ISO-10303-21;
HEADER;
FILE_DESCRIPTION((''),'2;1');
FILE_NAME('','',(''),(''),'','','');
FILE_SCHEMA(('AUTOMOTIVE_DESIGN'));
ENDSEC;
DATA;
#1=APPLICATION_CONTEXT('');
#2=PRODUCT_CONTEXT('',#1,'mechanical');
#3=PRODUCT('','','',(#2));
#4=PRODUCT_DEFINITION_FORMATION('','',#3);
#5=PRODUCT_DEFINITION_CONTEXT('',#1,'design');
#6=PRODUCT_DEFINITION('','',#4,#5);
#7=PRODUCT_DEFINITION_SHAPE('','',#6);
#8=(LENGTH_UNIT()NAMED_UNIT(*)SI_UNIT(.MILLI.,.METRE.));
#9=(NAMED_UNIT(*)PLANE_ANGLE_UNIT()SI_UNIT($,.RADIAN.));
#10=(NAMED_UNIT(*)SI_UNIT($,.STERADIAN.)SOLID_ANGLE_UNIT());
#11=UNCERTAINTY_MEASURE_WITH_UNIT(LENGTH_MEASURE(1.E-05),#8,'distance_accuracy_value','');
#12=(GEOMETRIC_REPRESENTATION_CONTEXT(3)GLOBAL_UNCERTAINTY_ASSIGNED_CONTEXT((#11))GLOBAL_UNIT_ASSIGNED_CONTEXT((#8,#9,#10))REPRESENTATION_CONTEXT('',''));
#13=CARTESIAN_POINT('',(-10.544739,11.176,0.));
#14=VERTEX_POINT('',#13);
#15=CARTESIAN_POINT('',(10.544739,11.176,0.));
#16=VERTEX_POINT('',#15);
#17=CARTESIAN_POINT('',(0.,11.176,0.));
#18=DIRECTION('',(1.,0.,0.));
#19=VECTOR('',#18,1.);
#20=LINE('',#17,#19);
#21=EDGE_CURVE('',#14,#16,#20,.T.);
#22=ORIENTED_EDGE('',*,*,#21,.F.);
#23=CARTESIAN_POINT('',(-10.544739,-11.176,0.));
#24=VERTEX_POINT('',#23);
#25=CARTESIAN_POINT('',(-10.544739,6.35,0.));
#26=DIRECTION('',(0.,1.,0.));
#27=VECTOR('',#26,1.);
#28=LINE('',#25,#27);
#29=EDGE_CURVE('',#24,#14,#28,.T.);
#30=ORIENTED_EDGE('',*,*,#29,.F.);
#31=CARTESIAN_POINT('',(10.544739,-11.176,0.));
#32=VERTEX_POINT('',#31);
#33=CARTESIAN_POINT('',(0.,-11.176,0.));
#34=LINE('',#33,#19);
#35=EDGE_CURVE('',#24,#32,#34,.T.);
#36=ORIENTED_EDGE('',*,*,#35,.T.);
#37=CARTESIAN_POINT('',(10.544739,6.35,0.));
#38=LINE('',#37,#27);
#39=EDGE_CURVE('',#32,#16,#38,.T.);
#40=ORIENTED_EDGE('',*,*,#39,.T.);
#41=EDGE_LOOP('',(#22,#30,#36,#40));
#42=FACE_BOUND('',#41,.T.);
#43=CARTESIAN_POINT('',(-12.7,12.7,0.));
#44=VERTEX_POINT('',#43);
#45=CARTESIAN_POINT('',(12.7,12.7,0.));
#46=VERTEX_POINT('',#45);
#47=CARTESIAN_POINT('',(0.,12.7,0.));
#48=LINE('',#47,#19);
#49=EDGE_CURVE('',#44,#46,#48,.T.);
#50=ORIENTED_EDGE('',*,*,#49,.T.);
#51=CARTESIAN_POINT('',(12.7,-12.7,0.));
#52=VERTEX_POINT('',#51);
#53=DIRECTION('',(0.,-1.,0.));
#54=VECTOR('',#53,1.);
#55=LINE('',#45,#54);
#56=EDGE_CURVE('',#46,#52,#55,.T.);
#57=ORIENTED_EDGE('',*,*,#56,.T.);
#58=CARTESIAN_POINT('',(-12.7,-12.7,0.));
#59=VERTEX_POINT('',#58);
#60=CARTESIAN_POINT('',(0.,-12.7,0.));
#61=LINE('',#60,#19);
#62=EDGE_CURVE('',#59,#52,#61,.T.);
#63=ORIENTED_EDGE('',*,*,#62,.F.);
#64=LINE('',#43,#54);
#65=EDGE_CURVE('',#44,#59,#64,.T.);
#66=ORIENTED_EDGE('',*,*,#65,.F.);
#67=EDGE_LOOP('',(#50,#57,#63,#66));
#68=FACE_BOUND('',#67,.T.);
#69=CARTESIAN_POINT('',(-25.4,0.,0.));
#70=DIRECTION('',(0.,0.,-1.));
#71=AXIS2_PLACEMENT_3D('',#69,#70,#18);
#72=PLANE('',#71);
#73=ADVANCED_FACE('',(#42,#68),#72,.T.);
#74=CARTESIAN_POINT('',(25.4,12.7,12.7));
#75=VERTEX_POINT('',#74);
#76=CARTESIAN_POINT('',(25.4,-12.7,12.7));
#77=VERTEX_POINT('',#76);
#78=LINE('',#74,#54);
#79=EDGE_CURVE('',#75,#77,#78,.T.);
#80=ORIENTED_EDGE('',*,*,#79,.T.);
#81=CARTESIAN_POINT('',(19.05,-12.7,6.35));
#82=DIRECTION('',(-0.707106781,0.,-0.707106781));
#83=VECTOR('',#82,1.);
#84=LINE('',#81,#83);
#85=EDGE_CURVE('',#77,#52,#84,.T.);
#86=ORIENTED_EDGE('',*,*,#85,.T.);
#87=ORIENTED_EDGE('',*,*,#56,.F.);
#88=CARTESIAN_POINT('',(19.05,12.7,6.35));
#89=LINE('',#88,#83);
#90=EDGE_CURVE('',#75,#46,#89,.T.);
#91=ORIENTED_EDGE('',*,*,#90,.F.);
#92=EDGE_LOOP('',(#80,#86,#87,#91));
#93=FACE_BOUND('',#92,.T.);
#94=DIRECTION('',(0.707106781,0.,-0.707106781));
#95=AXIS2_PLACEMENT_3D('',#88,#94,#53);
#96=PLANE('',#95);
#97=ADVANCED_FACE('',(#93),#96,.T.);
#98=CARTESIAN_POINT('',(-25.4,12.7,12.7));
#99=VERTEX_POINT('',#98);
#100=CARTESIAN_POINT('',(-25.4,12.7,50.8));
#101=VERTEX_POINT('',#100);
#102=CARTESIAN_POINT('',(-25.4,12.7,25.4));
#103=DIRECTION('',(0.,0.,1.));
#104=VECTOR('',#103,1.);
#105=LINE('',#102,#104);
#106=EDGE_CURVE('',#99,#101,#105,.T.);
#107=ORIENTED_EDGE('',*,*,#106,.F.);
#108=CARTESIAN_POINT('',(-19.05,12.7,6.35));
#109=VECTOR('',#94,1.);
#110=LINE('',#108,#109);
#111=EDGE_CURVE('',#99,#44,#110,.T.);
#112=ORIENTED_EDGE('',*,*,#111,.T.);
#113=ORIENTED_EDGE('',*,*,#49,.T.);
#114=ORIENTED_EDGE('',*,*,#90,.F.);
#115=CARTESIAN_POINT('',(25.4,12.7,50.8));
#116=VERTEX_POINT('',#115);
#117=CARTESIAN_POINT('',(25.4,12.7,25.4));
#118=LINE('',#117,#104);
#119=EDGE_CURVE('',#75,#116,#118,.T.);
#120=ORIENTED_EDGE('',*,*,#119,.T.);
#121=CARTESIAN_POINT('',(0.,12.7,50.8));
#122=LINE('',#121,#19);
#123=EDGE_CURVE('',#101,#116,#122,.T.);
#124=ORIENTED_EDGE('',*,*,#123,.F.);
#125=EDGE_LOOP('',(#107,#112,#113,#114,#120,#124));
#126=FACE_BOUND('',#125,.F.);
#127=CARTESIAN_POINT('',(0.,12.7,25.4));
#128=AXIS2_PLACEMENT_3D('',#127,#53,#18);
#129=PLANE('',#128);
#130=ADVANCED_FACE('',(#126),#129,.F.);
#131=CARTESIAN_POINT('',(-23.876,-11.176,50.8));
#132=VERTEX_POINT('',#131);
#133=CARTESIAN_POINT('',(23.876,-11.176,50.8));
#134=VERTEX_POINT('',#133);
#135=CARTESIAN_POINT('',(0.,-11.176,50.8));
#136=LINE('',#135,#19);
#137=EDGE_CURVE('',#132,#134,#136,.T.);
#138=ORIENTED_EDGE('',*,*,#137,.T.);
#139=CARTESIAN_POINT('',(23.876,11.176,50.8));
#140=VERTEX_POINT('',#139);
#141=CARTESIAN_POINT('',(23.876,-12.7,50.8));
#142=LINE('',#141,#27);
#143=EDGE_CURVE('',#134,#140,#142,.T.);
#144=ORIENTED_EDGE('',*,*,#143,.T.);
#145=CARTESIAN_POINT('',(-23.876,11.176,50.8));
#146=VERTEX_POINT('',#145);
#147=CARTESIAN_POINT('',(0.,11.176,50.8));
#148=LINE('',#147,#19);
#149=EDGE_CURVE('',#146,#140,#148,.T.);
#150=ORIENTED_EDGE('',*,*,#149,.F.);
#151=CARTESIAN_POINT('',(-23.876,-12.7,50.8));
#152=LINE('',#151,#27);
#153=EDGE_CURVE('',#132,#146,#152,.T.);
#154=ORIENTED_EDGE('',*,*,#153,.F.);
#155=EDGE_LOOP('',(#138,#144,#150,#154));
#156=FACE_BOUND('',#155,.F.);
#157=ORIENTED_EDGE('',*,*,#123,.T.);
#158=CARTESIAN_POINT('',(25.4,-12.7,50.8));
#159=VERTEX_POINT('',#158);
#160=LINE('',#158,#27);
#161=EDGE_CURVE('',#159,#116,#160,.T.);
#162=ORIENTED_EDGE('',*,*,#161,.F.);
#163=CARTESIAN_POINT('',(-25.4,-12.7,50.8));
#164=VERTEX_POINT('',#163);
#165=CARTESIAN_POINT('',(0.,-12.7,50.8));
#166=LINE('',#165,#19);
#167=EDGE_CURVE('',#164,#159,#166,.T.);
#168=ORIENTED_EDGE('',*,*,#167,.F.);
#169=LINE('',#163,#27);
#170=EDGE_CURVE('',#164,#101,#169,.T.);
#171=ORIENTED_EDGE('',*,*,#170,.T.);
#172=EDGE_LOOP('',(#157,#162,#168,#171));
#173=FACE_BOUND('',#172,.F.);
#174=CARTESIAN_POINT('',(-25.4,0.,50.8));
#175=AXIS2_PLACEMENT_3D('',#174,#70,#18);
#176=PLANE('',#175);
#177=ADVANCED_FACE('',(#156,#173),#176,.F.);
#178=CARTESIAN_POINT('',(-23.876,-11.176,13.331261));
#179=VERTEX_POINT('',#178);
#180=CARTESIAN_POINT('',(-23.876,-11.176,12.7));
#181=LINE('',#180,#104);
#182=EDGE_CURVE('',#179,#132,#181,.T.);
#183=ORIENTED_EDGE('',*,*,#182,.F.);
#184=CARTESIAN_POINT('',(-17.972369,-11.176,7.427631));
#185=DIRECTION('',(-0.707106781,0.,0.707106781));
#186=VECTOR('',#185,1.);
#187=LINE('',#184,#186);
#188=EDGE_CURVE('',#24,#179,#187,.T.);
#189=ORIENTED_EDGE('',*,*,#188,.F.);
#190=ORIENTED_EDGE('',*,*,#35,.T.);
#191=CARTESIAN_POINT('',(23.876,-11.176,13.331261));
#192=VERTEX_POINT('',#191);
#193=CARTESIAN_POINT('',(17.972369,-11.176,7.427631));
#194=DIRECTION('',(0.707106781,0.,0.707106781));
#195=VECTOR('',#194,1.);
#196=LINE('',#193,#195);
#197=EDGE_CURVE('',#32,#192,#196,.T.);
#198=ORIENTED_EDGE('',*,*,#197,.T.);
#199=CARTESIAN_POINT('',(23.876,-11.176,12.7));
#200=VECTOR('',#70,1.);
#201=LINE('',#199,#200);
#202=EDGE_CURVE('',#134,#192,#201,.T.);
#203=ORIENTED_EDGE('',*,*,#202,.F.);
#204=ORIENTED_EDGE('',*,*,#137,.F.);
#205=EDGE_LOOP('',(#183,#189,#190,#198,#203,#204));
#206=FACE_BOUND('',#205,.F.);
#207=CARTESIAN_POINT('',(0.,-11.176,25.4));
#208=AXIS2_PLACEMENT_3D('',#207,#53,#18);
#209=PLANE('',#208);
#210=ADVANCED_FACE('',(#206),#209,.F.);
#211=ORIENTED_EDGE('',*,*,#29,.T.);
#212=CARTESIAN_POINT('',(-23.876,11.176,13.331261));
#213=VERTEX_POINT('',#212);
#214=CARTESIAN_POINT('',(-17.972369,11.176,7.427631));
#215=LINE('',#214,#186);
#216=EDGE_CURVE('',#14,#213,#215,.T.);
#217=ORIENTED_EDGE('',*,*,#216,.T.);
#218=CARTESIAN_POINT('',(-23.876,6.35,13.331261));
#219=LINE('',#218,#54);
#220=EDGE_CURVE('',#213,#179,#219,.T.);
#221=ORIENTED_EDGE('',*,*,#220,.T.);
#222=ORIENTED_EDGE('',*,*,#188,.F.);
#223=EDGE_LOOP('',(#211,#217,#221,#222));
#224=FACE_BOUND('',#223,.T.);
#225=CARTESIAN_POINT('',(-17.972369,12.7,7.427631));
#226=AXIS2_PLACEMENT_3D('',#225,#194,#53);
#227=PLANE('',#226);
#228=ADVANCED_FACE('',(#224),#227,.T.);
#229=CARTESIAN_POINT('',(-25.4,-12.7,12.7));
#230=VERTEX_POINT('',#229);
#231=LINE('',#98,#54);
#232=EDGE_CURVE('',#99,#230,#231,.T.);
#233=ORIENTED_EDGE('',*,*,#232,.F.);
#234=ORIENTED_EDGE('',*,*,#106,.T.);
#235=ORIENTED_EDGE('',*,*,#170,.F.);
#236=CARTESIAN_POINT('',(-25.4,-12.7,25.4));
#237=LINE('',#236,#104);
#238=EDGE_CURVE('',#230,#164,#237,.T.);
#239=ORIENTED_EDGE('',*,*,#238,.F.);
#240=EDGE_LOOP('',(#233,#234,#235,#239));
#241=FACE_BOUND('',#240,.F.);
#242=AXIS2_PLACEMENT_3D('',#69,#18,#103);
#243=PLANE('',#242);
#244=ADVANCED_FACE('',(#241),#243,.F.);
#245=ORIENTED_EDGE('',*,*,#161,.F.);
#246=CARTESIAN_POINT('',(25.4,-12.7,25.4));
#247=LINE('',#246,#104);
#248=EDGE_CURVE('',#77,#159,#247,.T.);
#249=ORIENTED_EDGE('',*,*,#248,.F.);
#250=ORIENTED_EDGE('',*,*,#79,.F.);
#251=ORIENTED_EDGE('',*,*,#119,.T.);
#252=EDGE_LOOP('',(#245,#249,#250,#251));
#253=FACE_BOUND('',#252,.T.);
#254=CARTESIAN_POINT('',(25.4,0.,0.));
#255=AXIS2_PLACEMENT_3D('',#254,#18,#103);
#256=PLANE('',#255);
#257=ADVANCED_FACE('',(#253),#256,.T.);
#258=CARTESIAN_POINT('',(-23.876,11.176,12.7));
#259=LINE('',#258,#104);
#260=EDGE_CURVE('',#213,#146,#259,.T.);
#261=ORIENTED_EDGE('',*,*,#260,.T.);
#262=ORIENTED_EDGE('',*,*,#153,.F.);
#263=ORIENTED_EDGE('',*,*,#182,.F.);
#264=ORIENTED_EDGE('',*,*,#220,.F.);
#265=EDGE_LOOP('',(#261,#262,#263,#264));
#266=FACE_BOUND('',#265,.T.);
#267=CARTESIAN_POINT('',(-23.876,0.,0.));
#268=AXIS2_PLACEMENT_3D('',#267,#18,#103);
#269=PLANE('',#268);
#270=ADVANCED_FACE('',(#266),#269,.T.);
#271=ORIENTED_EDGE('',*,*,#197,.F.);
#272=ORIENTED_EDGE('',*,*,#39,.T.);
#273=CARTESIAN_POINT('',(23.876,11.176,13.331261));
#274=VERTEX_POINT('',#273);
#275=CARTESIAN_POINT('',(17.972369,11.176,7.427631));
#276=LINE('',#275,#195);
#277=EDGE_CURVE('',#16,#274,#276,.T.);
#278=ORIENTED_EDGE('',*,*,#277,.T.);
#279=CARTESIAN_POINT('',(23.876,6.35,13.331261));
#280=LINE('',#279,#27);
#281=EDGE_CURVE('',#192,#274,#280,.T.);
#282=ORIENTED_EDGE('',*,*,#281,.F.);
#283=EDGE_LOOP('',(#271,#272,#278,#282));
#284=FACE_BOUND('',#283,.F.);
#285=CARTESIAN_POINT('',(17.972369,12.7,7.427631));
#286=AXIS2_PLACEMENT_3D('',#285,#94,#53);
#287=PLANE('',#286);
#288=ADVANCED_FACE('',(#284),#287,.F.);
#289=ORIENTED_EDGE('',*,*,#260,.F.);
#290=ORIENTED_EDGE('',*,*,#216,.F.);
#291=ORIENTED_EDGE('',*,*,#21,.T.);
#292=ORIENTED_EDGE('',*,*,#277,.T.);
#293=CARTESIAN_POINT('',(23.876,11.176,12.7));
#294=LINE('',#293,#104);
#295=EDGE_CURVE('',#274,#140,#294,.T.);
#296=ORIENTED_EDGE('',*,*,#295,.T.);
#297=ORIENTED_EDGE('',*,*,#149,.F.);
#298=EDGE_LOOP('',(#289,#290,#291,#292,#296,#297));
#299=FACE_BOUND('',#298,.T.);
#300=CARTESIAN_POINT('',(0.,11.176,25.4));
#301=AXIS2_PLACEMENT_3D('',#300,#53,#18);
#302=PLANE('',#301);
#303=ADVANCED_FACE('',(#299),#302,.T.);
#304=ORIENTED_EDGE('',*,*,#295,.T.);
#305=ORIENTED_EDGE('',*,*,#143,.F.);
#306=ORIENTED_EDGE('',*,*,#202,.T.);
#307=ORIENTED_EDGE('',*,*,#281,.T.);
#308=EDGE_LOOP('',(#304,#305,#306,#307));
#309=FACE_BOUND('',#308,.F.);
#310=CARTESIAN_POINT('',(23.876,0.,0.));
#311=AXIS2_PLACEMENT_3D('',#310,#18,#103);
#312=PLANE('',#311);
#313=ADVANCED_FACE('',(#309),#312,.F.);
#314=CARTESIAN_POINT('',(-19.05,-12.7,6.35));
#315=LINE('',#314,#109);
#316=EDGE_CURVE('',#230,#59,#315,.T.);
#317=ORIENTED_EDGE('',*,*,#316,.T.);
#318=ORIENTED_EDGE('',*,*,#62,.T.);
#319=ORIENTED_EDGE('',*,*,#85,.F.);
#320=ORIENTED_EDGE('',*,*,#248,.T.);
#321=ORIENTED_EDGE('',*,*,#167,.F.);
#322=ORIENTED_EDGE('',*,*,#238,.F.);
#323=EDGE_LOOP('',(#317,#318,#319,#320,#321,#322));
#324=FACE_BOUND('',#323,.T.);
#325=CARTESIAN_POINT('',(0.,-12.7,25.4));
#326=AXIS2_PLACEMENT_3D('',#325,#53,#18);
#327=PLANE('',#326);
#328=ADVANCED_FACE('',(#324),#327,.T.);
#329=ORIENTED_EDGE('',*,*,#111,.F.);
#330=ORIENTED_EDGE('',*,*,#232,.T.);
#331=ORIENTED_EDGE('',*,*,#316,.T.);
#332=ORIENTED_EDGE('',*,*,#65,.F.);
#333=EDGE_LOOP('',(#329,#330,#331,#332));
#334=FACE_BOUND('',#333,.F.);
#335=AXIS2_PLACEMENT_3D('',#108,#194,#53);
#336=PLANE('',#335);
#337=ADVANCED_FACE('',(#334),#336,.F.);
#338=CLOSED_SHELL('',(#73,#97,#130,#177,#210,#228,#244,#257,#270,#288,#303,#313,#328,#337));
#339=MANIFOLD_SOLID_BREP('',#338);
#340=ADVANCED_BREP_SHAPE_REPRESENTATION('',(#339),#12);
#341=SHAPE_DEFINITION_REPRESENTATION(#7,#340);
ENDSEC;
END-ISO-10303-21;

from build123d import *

# Parameters (mm, degrees)
F0_W     = 50.8
F0_H     = 50.8
F1_DEPTH = 12.7
F2_SIZE  = 12.7
F3_T     = -1.524


with BuildPart() as f1:
    # F0 (on Front) → F1 (new body, symmetric)
    with BuildSketch(Plane.XZ):
        with Locations((0, 25.4)):
            Rectangle(F0_W, F0_H)
    extrude(amount=F1_DEPTH, both=True)

    # F2
    f2_edges = [f1.edges().sort_by_distance(p)[0] for p in [
        (-25.4, 0, 0),
        (25.4, 0, 0),
    ]]
    chamfer(f2_edges, length=F2_SIZE)

    # F3
    f3_openings = [f1.faces().sort_by_distance(p)[0] for p in [
        (0, 0, 50.8),
        (0, 0, 0),
    ]]
    offset(amount=F3_T, openings=f3_openings)


solid = f1.part
